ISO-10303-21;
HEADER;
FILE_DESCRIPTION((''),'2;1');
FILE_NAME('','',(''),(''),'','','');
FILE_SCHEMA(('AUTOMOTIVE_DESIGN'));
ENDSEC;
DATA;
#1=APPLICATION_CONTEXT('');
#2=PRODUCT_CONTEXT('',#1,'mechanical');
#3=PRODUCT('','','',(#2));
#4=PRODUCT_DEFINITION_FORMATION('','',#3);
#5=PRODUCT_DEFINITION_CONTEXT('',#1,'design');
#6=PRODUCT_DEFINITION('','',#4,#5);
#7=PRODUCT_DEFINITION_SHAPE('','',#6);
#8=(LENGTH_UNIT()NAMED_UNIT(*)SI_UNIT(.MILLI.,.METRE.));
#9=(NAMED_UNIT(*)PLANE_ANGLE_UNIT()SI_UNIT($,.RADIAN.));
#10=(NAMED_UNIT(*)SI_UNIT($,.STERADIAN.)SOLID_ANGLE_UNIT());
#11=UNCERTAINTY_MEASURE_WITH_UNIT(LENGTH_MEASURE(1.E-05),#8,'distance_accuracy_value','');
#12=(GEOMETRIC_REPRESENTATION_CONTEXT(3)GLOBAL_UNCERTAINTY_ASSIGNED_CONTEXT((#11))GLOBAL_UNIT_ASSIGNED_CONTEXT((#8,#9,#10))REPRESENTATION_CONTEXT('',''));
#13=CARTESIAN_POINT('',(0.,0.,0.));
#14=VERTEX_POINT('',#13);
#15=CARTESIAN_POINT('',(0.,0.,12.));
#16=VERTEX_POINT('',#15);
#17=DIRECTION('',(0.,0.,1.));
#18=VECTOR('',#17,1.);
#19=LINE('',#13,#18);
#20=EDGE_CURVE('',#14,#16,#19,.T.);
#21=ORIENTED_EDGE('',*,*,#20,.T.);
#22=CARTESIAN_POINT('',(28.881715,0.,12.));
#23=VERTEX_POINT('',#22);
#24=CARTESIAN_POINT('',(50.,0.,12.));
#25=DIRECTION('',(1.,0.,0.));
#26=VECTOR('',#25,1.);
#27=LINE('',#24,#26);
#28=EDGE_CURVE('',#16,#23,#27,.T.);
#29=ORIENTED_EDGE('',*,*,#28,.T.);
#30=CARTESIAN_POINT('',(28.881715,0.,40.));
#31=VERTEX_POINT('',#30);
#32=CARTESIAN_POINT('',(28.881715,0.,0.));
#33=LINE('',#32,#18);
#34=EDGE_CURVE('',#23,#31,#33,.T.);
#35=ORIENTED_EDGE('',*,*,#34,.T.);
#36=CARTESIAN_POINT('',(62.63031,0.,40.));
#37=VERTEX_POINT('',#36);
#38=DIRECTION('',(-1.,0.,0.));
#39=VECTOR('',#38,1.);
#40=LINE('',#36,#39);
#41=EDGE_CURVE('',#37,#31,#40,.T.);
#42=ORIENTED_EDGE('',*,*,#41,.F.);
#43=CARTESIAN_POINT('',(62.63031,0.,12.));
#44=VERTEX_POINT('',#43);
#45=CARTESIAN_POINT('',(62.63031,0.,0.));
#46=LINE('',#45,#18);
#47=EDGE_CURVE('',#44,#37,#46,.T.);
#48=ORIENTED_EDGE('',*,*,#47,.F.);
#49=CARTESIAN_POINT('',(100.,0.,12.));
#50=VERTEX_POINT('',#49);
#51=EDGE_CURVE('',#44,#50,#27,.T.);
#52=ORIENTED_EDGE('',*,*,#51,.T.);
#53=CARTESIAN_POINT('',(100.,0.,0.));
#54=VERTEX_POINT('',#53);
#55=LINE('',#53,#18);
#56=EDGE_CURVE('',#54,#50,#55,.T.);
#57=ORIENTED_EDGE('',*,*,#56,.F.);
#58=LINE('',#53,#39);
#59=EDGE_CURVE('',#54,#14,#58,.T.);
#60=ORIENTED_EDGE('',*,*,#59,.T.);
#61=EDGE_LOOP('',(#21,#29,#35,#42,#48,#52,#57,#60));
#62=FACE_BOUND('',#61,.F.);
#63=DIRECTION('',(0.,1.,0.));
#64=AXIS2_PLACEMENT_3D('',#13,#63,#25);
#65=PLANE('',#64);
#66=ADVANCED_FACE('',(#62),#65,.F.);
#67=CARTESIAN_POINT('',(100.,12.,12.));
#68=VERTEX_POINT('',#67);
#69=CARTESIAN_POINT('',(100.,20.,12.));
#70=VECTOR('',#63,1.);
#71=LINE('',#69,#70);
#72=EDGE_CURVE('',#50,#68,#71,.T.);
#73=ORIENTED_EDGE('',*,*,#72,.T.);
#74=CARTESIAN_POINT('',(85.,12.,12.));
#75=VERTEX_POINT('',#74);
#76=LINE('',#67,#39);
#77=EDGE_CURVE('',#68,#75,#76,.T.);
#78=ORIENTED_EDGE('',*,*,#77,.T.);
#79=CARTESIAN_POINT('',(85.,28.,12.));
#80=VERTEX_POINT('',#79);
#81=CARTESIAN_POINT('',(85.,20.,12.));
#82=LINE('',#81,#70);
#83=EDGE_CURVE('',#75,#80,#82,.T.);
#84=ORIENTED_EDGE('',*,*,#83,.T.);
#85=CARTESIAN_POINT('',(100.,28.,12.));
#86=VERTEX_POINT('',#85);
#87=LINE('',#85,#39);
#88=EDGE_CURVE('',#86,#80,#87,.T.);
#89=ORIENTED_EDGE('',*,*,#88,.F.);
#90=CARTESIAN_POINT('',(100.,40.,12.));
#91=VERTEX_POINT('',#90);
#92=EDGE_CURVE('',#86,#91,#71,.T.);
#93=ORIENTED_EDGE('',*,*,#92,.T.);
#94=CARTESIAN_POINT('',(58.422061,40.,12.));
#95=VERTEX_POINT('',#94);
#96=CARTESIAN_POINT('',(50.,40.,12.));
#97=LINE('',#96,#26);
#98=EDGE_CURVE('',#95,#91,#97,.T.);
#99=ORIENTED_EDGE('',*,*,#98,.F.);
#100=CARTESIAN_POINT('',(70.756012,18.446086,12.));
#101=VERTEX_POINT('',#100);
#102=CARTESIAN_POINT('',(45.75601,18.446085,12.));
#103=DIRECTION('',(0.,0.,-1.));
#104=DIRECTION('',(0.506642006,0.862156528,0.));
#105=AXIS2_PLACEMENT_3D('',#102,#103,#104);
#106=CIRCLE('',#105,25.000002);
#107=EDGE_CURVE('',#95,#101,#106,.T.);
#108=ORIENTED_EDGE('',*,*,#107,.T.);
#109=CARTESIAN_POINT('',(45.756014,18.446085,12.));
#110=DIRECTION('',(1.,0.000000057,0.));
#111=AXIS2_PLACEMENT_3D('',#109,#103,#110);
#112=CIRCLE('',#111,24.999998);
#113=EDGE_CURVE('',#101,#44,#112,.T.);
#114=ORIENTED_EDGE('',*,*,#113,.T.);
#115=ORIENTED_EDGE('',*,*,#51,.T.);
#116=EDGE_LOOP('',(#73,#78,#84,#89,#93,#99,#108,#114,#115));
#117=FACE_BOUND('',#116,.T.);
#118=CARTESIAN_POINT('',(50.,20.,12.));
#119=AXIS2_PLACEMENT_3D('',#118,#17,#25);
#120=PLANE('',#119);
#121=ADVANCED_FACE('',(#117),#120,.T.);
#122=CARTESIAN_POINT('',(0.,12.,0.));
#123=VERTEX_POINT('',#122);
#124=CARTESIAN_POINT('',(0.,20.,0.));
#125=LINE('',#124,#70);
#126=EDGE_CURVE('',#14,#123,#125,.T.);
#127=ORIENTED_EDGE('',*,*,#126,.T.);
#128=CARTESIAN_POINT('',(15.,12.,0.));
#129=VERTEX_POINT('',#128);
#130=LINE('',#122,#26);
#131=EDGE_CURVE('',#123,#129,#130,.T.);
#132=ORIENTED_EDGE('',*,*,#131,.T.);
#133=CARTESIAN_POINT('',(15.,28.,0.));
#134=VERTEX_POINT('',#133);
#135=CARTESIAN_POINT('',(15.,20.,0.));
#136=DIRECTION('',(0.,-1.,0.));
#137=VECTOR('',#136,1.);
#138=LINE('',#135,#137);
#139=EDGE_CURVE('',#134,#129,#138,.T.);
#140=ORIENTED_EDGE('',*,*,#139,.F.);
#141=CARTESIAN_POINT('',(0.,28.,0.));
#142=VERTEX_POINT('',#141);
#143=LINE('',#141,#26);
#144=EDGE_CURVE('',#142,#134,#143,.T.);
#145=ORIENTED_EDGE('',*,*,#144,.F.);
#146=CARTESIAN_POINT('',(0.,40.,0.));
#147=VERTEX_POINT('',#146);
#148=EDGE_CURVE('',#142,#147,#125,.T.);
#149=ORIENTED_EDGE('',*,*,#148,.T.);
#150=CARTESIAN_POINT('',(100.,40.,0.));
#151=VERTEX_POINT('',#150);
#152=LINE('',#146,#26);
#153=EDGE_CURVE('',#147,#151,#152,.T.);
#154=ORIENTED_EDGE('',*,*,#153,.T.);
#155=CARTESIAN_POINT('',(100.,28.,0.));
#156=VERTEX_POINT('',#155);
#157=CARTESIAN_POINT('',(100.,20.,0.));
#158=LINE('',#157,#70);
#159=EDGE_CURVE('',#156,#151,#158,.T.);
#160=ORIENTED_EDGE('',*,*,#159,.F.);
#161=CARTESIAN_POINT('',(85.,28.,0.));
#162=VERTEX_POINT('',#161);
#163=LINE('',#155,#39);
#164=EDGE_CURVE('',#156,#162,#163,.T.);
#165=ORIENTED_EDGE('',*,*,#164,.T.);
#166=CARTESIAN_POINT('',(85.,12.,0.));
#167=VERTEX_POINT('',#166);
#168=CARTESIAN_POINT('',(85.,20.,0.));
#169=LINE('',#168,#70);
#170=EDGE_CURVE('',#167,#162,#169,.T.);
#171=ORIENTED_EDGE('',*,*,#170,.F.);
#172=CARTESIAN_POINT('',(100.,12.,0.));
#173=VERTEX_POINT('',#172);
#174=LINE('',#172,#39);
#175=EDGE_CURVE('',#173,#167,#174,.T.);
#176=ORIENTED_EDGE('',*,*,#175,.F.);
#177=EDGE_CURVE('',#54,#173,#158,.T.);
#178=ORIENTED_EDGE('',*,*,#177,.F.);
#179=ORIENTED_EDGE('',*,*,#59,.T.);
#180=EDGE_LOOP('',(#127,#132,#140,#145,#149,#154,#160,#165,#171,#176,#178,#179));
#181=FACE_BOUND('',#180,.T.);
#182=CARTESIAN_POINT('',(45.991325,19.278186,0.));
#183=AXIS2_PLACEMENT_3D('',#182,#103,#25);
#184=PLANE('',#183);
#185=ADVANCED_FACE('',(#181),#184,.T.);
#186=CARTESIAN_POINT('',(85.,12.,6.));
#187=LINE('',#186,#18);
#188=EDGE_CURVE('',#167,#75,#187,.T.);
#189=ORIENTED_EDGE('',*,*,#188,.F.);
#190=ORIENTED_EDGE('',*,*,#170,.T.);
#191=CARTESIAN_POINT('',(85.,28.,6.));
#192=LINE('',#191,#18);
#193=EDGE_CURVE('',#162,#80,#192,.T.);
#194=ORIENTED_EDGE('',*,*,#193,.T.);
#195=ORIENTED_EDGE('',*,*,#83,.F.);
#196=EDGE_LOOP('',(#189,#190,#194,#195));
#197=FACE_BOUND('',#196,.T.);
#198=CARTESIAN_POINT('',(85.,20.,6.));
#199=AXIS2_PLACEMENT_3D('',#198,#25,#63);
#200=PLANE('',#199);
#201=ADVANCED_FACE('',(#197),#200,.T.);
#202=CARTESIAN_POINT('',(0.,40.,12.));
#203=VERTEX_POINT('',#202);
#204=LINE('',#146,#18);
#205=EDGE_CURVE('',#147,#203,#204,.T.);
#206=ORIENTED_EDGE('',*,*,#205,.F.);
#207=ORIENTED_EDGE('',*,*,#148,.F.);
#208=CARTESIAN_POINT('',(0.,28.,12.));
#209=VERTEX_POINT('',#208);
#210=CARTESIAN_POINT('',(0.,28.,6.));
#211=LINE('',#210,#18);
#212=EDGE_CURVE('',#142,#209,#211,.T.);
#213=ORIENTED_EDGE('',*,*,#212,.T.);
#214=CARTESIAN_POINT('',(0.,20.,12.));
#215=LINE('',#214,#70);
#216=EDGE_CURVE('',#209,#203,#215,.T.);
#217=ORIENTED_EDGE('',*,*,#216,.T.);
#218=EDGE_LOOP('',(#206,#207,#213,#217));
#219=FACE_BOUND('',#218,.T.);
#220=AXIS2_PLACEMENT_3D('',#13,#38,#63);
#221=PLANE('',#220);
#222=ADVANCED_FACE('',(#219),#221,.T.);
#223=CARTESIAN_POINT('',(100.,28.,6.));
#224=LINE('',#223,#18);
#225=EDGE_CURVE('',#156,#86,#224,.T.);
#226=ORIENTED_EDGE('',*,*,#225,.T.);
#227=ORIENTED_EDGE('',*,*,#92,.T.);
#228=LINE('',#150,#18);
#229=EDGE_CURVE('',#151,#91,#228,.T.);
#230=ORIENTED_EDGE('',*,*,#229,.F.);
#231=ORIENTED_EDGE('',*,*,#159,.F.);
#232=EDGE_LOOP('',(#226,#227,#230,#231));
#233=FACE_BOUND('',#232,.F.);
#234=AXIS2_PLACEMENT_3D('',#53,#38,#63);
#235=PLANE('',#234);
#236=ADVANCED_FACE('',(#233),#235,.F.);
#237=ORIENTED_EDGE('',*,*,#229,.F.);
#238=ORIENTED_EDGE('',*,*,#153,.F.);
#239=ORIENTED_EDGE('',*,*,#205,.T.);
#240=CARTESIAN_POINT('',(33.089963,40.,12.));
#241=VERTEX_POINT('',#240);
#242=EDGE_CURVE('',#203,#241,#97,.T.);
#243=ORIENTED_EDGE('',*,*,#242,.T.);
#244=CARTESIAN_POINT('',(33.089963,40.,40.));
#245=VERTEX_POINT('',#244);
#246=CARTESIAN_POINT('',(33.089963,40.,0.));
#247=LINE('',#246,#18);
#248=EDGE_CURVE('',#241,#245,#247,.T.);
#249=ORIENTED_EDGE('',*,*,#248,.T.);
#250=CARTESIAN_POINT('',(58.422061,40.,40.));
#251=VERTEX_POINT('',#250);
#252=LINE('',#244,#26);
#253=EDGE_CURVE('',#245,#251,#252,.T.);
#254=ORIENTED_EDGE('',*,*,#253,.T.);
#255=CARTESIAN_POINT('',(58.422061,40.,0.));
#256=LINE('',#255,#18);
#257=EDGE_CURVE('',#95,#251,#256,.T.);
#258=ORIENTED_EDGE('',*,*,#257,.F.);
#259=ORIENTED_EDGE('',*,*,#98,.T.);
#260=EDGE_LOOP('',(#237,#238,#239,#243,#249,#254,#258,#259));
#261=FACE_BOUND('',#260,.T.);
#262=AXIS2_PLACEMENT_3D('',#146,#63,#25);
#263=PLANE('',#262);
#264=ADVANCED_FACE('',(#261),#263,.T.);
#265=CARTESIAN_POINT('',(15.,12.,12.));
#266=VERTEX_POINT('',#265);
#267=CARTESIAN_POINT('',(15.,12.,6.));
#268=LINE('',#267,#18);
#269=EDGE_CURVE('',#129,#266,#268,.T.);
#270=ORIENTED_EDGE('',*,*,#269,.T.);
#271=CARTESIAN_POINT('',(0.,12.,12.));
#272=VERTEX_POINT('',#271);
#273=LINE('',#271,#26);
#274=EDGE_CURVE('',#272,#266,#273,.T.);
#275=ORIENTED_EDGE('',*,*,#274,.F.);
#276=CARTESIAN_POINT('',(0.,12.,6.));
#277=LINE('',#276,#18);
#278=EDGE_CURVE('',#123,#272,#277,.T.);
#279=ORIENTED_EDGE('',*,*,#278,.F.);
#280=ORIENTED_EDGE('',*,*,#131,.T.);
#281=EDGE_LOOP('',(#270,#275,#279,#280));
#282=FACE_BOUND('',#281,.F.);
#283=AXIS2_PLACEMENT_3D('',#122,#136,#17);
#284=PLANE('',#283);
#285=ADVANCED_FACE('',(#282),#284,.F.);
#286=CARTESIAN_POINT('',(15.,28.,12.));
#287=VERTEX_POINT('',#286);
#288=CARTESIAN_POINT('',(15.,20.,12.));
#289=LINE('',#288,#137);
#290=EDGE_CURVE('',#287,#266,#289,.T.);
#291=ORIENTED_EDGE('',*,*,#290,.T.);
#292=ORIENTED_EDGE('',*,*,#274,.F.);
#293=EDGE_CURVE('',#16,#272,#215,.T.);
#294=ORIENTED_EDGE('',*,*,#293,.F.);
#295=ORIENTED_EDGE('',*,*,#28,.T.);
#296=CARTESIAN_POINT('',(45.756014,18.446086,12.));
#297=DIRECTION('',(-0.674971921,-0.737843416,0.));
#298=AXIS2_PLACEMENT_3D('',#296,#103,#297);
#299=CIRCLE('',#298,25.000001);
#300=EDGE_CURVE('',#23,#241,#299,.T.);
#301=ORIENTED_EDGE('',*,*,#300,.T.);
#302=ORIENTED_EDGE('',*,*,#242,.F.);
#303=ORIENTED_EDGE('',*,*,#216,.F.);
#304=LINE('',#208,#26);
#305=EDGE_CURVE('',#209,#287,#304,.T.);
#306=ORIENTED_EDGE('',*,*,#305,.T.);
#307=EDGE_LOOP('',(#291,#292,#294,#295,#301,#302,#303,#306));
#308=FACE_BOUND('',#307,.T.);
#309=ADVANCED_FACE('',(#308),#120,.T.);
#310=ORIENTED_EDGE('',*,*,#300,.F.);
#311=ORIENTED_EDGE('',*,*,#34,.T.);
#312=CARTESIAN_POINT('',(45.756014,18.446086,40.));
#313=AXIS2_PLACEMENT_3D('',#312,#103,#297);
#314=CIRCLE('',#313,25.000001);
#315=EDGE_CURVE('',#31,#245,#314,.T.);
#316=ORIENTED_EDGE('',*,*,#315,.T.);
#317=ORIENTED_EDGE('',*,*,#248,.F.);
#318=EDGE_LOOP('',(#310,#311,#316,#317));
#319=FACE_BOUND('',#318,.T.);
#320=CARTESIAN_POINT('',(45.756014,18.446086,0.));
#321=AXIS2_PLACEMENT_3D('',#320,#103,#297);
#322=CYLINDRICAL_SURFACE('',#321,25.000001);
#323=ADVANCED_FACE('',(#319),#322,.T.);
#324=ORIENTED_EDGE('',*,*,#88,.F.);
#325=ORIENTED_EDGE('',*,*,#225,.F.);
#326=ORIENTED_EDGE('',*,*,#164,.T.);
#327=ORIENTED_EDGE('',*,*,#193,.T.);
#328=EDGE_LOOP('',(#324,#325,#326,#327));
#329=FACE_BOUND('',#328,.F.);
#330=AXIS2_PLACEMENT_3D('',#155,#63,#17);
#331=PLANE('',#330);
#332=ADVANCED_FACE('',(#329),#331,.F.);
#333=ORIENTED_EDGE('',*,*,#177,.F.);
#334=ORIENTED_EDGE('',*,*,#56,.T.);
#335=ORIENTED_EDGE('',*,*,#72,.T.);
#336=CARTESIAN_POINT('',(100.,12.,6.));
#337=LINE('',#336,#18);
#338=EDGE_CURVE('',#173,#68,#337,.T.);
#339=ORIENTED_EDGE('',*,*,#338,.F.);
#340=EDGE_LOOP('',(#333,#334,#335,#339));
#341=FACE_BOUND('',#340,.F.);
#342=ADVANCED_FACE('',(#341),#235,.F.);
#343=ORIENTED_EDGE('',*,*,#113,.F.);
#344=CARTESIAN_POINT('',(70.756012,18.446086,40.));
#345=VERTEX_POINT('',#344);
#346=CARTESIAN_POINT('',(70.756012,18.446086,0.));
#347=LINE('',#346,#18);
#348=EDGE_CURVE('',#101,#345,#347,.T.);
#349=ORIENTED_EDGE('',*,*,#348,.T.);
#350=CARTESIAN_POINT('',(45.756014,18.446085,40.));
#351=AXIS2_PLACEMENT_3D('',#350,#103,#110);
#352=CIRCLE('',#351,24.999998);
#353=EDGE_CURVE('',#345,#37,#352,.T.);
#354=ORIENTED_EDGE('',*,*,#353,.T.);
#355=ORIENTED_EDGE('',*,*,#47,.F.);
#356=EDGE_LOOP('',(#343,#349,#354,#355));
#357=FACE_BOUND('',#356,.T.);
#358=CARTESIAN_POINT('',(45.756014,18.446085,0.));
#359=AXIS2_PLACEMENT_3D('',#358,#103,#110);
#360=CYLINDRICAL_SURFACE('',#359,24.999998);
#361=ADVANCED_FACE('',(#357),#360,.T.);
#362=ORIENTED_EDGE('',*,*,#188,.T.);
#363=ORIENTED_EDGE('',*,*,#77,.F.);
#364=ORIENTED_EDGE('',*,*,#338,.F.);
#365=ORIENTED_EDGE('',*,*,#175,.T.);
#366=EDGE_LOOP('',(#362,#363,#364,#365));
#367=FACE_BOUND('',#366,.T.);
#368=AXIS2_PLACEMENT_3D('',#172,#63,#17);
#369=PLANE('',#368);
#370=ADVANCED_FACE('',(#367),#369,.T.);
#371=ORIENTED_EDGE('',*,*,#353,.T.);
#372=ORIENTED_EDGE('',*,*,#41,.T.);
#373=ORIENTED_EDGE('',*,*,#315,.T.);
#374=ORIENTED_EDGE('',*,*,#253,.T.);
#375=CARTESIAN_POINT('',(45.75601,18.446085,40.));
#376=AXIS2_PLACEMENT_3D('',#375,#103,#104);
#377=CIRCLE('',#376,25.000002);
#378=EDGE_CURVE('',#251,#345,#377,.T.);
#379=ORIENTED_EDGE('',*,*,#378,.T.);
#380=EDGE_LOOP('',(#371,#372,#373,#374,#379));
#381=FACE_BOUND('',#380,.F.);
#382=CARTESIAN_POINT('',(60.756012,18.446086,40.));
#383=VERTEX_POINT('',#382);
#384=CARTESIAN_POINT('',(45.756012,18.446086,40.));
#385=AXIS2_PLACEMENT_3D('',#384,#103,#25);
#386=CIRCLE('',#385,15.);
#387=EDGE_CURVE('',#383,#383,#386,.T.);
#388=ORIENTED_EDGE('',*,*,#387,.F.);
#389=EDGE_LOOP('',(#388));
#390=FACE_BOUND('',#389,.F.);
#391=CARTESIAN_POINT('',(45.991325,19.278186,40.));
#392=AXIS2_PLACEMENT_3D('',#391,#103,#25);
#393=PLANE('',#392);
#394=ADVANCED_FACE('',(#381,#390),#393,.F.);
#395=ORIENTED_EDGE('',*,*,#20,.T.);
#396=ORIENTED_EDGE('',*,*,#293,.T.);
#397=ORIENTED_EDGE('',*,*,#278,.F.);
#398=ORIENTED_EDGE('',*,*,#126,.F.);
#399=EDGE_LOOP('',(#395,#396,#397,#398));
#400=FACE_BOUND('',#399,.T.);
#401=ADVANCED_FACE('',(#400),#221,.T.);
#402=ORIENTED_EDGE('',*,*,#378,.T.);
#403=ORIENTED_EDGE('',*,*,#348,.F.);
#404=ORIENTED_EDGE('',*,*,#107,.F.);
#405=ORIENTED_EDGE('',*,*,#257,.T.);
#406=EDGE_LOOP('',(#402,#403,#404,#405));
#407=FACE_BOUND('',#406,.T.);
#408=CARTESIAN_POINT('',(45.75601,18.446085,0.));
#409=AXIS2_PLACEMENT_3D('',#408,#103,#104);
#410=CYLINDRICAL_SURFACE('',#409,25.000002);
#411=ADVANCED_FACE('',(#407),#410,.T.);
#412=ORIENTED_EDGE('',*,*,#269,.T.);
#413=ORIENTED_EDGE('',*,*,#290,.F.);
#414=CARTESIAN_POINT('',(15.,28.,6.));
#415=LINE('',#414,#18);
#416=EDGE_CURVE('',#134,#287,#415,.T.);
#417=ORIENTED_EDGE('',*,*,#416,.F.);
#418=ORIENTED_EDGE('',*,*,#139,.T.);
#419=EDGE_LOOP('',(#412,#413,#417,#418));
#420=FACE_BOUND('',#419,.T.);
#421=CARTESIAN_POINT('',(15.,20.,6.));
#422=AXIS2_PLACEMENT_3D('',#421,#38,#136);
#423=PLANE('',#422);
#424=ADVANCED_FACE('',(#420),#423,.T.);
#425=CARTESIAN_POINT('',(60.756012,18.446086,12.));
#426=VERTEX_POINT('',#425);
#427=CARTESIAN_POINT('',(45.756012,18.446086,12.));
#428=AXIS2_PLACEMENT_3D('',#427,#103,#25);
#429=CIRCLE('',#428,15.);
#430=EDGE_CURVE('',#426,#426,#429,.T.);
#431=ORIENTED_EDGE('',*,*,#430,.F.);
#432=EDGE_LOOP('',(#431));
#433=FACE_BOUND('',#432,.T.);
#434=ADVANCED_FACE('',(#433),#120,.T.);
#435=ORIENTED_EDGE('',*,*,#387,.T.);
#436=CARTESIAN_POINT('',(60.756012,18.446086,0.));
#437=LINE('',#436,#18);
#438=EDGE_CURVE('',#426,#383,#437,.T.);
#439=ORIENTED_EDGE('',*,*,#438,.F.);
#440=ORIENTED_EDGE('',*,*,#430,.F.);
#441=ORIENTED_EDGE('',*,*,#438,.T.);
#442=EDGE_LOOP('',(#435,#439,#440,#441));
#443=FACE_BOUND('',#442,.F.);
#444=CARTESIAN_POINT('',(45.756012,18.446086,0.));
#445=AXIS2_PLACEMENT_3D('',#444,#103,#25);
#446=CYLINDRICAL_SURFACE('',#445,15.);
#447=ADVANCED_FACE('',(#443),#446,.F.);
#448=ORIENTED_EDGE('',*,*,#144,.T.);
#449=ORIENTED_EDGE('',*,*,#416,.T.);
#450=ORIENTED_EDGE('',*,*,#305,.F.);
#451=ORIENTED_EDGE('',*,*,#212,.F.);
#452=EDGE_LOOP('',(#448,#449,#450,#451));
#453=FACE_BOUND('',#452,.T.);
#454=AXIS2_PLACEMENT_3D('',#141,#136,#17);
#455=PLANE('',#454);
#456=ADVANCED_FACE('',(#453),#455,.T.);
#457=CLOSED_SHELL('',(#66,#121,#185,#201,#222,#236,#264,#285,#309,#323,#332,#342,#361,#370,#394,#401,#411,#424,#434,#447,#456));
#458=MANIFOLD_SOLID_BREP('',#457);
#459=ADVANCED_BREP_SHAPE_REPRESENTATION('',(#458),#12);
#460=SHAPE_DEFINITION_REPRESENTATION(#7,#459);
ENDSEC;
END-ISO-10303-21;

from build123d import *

# Parameters (mm, degrees)
F0_W     = 100
F0_H     = 40
F1_DEPTH = 12
F2_W     = 16
F2_H     = 12
F3_DEPTH = 15
F4_W     = 16
F4_H     = 12
F5_DEPTH = 15
F6_R     = 15
F7_DEPTH = 40


with BuildPart() as f1:
    # F0 (on Top) → F1 (new body)
    with BuildSketch(Plane.XY):
        with Locations((50, 20)):
            Rectangle(F0_W, F0_H)
    extrude(amount=F1_DEPTH)

    # F2 (on face) → F3 (cut)
    with BuildSketch(Plane.YZ.offset(100)):
        with Locations((20, 6)):
            Rectangle(F2_W, F2_H)
    extrude(amount=-F3_DEPTH, mode=Mode.SUBTRACT)

    # F4 (on face) → F5 (cut)
    with BuildSketch(Plane(origin=(0, 0, 0), x_dir=(0, -1, 0), z_dir=(-1, 0, 0))):
        with Locations((-20, 6)):
            Rectangle(F4_W, F4_H)
    extrude(amount=-F5_DEPTH, mode=Mode.SUBTRACT)

    # F6 (on face) → F7 (join)
    with BuildSketch(Plane(origin=(0, 0, 0), x_dir=(1, 0, 0), z_dir=(0, 0, -1))):
        with BuildLine():
            ThreePointArc((58.422061, -40), (67.454528, -30.862784), (70.756012, -18.446086))
            ThreePointArc((70.756012, -18.446086), (68.634577, -8.367828), (62.63031, 0))
            Line((62.63031, 0), (28.881715, 0))
            ThreePointArc((28.881715, 0), (20.893229, -21.061805), (33.089963, -40))
            Line((33.089963, -40), (58.422061, -40))
        make_face()
        with Locations((45.756012, -18.446086)):
            Circle(F6_R, mode=Mode.SUBTRACT)
    extrude(amount=-F7_DEPTH)


solid = f1.part
